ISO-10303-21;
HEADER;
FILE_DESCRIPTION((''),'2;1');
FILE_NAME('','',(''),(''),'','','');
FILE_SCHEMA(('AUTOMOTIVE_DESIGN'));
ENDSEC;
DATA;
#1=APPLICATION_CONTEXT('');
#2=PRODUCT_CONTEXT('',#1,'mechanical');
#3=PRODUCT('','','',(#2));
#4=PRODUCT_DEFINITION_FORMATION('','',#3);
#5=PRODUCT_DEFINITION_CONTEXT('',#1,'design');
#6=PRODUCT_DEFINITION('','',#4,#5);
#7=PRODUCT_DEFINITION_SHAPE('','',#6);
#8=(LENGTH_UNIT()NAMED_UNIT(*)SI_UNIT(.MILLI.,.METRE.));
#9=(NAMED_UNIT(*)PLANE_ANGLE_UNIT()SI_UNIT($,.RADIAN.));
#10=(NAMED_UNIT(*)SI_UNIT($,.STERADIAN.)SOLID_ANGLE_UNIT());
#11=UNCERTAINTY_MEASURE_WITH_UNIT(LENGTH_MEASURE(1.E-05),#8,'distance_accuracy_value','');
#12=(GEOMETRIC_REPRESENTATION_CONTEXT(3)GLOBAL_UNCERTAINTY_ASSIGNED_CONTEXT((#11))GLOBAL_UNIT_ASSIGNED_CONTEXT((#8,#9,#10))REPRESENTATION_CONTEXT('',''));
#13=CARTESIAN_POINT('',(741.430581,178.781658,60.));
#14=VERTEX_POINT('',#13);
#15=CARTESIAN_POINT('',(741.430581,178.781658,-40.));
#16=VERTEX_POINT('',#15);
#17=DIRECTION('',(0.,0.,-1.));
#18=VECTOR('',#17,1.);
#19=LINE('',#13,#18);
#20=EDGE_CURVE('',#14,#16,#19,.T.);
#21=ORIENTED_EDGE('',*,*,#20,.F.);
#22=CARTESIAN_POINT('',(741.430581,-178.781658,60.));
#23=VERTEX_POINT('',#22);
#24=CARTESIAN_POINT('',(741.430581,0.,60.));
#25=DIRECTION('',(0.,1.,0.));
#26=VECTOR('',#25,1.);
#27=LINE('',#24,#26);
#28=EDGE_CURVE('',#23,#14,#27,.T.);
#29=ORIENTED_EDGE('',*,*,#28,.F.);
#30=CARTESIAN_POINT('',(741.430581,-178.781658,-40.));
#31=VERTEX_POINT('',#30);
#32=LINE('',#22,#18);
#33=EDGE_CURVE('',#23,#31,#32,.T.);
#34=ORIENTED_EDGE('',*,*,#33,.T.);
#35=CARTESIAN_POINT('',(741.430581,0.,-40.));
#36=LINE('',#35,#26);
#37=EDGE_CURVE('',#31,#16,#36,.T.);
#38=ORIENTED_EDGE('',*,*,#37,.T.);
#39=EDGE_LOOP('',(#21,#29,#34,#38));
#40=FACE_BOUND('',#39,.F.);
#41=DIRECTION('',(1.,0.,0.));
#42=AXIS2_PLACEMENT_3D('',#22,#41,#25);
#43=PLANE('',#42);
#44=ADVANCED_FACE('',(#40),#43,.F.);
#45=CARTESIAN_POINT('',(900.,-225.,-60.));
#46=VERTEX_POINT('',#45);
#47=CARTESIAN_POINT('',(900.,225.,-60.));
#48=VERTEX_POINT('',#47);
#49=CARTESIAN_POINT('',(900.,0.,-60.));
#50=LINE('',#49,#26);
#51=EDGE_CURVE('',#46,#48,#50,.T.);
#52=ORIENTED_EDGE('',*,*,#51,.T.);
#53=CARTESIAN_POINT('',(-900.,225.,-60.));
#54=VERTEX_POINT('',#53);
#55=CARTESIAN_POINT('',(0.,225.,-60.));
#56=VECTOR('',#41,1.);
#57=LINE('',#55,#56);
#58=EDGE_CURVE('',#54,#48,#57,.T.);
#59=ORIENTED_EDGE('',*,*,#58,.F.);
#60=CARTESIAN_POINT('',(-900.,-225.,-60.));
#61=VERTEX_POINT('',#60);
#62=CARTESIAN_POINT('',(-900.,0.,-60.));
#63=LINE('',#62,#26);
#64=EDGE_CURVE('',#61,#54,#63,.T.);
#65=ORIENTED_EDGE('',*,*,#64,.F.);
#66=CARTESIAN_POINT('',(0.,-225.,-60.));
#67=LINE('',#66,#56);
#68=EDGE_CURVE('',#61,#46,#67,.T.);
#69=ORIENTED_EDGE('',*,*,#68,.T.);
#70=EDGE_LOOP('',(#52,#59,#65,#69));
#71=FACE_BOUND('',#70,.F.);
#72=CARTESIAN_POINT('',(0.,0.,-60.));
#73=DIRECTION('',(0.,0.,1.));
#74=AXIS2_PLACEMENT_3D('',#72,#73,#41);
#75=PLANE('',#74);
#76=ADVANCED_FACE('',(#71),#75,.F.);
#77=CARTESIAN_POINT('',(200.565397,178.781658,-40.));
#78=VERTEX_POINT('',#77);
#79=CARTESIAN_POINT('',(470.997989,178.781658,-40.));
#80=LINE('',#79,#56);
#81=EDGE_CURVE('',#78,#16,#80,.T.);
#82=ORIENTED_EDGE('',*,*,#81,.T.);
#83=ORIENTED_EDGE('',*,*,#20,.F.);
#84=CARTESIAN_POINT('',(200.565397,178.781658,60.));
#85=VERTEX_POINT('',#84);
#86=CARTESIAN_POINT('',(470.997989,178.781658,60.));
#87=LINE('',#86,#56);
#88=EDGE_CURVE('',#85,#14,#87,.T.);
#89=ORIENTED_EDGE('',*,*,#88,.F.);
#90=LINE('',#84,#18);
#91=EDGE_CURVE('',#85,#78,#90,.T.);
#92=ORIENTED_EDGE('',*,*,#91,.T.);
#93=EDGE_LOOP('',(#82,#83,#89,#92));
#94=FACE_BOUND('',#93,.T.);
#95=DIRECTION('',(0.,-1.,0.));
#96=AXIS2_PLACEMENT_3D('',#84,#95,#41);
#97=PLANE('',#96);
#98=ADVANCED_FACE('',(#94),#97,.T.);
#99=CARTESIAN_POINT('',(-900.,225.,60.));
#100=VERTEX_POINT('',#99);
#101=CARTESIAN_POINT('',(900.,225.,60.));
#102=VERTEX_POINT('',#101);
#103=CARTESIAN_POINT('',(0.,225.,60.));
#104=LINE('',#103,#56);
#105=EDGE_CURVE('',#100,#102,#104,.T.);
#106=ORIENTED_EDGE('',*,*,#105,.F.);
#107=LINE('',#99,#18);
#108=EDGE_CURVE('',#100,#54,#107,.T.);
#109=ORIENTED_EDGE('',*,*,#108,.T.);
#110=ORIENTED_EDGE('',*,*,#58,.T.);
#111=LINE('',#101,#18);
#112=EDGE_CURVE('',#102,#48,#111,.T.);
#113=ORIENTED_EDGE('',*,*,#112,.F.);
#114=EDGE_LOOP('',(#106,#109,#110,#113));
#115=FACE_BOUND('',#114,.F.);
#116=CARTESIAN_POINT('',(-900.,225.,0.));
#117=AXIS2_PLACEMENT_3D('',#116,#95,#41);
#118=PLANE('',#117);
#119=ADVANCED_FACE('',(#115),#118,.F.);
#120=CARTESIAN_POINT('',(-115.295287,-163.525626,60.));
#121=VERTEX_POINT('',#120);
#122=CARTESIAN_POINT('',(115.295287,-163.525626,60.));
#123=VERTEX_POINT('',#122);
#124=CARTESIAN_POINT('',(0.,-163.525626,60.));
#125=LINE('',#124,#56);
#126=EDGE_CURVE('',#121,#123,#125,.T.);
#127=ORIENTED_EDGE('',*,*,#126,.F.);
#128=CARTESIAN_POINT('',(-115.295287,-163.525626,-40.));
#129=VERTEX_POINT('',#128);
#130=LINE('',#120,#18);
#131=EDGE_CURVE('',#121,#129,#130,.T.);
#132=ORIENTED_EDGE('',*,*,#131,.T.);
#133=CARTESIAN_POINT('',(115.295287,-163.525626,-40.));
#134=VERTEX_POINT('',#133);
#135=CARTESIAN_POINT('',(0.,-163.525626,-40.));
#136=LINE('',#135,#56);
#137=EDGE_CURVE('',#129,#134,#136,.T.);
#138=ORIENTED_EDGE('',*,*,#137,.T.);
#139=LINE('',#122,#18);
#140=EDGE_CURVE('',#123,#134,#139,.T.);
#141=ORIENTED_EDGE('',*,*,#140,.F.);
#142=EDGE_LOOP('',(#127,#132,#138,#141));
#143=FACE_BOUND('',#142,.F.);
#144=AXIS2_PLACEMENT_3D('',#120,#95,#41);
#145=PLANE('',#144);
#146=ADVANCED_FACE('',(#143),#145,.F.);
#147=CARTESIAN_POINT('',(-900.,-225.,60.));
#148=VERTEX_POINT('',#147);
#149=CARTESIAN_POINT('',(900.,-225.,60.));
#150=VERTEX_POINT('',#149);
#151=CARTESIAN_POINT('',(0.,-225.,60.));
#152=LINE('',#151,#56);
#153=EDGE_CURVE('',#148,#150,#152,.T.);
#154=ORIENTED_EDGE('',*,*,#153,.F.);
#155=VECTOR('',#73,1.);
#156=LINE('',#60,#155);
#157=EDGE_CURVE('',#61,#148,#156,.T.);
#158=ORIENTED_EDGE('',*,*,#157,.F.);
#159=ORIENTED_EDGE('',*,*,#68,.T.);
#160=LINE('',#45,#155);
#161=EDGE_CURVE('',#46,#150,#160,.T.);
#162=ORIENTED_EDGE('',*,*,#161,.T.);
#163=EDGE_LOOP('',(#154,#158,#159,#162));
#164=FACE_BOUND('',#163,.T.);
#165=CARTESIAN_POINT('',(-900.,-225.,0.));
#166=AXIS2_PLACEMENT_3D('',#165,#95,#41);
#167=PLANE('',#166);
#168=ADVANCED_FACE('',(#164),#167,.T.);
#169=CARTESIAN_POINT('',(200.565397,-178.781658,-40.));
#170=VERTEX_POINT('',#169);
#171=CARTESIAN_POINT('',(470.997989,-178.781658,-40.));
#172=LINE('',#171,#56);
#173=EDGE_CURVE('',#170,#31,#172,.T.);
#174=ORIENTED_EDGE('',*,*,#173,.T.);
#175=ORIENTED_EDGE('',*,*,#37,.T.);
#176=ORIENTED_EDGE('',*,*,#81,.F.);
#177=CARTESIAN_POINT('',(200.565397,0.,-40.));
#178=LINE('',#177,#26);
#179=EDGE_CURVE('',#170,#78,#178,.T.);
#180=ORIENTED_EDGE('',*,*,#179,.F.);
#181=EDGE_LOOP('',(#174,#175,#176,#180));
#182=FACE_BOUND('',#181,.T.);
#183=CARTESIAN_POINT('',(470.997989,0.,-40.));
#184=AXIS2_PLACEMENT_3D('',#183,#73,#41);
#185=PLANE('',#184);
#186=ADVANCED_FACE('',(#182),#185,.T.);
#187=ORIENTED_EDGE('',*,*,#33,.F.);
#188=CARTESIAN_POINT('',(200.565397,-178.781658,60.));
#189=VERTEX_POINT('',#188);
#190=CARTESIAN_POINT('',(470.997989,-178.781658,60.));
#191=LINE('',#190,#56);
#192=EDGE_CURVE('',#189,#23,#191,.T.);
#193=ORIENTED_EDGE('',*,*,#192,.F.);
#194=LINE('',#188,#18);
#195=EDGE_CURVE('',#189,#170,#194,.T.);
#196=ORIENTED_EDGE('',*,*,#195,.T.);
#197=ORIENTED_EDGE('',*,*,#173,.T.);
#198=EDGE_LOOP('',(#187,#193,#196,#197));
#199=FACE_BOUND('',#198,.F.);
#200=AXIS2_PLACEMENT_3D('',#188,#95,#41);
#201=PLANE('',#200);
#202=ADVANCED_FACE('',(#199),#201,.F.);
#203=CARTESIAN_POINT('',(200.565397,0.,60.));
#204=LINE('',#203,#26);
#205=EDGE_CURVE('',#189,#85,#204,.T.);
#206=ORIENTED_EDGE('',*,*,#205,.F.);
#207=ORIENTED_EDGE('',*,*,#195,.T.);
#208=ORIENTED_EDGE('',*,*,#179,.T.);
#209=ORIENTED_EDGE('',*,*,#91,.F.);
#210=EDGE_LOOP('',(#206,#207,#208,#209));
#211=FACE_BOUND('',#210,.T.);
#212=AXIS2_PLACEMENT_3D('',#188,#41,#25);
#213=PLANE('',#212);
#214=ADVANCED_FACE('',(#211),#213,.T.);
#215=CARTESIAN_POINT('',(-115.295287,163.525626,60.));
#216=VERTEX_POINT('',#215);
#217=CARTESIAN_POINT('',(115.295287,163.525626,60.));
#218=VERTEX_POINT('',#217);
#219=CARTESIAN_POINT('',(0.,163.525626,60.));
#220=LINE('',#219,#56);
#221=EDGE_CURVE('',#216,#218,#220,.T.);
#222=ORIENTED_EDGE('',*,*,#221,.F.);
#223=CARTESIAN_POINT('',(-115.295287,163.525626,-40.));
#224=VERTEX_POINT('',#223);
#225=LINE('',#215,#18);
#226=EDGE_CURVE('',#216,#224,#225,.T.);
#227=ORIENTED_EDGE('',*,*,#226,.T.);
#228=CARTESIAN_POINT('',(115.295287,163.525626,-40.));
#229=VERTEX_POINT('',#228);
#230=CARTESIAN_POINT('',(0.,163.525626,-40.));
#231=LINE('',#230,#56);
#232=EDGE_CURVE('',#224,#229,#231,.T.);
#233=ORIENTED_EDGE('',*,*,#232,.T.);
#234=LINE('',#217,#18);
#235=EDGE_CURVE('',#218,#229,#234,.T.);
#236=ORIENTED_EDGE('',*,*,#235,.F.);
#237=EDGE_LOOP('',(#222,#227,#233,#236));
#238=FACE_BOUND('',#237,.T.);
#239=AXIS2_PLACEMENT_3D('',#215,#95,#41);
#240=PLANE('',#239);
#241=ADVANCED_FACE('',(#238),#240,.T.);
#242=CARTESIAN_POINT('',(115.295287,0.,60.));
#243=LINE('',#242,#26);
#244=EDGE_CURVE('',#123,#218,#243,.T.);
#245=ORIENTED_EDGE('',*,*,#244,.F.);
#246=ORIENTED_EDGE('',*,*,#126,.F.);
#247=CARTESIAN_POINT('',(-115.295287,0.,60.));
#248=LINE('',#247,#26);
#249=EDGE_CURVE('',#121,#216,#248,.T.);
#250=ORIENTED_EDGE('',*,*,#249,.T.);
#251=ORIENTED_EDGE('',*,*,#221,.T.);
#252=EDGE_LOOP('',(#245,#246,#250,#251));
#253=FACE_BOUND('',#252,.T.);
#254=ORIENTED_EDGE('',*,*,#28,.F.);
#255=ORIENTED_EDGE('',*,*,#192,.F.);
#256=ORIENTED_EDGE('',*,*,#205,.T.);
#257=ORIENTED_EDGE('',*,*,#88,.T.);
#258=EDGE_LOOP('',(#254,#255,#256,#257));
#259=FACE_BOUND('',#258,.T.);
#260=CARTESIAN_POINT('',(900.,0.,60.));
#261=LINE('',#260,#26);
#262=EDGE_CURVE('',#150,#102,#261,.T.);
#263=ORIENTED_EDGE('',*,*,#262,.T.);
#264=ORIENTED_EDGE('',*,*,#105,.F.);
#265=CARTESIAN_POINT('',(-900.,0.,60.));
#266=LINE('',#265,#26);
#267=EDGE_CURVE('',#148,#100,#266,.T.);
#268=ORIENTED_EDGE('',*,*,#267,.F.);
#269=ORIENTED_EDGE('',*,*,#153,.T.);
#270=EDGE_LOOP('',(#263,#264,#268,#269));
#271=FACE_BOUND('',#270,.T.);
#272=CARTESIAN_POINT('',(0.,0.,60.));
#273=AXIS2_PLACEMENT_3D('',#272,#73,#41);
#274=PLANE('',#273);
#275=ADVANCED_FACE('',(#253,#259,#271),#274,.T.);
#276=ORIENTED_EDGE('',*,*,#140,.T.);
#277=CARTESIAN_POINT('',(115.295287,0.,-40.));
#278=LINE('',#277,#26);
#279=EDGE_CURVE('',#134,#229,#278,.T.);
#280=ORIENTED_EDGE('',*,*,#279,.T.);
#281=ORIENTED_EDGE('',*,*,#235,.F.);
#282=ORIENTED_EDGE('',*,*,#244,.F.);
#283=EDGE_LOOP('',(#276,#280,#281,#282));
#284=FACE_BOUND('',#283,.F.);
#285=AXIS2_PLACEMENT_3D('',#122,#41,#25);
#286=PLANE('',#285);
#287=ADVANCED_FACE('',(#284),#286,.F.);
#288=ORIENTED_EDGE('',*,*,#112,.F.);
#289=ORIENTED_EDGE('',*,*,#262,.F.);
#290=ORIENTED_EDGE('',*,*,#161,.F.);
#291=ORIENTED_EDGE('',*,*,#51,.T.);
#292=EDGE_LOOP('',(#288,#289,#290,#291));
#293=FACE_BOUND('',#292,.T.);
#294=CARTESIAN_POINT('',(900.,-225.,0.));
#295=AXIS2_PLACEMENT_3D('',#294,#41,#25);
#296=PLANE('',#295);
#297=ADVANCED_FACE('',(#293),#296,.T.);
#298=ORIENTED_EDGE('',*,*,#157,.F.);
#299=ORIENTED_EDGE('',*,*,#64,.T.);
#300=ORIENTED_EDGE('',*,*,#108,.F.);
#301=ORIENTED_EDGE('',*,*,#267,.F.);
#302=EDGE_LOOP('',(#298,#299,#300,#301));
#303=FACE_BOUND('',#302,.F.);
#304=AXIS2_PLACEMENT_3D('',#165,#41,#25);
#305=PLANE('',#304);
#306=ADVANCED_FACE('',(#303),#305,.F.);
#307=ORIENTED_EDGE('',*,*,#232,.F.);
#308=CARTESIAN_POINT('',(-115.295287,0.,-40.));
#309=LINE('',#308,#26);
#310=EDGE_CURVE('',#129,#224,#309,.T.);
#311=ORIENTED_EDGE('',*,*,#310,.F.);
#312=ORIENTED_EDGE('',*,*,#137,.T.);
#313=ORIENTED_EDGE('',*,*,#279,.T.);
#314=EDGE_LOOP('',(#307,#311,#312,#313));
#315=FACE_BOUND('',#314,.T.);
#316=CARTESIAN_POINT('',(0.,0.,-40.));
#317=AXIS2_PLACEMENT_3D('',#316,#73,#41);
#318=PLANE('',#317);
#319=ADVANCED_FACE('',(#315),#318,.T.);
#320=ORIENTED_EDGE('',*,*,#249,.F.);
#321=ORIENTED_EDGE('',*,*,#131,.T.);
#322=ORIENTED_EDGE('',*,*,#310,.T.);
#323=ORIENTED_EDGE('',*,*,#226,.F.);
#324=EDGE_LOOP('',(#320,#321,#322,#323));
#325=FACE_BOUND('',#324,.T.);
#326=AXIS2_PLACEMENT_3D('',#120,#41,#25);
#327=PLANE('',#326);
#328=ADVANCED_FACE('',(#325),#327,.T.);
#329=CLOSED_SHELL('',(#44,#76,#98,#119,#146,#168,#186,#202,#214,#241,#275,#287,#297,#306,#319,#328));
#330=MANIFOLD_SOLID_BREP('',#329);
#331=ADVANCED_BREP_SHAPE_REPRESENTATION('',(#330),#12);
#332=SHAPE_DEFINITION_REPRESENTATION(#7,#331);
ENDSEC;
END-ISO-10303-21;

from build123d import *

# Parameters (mm, degrees)
F0_W     = 1800
F0_H     = 450
F1_DEPTH = 60
F2_W     = 230.590574
F2_H     = 327.051252
F2_W_2   = 540.865183
F2_H_2   = 357.563316
F3_DEPTH = 100


with BuildPart() as f1:
    # F0 (on Top) → F1 (new body, symmetric)
    with BuildSketch(Plane.XY):
        Rectangle(F0_W, F0_H)
    extrude(amount=F1_DEPTH, both=True)

    # F2 (on face) → F3 (cut)
    with BuildSketch(Plane.XY.offset(60)):
        Rectangle(F2_W, F2_H)
        with Locations((470.997989, 0)):
            Rectangle(F2_W_2, F2_H_2)
    extrude(amount=-F3_DEPTH, mode=Mode.SUBTRACT)


solid = f1.part
